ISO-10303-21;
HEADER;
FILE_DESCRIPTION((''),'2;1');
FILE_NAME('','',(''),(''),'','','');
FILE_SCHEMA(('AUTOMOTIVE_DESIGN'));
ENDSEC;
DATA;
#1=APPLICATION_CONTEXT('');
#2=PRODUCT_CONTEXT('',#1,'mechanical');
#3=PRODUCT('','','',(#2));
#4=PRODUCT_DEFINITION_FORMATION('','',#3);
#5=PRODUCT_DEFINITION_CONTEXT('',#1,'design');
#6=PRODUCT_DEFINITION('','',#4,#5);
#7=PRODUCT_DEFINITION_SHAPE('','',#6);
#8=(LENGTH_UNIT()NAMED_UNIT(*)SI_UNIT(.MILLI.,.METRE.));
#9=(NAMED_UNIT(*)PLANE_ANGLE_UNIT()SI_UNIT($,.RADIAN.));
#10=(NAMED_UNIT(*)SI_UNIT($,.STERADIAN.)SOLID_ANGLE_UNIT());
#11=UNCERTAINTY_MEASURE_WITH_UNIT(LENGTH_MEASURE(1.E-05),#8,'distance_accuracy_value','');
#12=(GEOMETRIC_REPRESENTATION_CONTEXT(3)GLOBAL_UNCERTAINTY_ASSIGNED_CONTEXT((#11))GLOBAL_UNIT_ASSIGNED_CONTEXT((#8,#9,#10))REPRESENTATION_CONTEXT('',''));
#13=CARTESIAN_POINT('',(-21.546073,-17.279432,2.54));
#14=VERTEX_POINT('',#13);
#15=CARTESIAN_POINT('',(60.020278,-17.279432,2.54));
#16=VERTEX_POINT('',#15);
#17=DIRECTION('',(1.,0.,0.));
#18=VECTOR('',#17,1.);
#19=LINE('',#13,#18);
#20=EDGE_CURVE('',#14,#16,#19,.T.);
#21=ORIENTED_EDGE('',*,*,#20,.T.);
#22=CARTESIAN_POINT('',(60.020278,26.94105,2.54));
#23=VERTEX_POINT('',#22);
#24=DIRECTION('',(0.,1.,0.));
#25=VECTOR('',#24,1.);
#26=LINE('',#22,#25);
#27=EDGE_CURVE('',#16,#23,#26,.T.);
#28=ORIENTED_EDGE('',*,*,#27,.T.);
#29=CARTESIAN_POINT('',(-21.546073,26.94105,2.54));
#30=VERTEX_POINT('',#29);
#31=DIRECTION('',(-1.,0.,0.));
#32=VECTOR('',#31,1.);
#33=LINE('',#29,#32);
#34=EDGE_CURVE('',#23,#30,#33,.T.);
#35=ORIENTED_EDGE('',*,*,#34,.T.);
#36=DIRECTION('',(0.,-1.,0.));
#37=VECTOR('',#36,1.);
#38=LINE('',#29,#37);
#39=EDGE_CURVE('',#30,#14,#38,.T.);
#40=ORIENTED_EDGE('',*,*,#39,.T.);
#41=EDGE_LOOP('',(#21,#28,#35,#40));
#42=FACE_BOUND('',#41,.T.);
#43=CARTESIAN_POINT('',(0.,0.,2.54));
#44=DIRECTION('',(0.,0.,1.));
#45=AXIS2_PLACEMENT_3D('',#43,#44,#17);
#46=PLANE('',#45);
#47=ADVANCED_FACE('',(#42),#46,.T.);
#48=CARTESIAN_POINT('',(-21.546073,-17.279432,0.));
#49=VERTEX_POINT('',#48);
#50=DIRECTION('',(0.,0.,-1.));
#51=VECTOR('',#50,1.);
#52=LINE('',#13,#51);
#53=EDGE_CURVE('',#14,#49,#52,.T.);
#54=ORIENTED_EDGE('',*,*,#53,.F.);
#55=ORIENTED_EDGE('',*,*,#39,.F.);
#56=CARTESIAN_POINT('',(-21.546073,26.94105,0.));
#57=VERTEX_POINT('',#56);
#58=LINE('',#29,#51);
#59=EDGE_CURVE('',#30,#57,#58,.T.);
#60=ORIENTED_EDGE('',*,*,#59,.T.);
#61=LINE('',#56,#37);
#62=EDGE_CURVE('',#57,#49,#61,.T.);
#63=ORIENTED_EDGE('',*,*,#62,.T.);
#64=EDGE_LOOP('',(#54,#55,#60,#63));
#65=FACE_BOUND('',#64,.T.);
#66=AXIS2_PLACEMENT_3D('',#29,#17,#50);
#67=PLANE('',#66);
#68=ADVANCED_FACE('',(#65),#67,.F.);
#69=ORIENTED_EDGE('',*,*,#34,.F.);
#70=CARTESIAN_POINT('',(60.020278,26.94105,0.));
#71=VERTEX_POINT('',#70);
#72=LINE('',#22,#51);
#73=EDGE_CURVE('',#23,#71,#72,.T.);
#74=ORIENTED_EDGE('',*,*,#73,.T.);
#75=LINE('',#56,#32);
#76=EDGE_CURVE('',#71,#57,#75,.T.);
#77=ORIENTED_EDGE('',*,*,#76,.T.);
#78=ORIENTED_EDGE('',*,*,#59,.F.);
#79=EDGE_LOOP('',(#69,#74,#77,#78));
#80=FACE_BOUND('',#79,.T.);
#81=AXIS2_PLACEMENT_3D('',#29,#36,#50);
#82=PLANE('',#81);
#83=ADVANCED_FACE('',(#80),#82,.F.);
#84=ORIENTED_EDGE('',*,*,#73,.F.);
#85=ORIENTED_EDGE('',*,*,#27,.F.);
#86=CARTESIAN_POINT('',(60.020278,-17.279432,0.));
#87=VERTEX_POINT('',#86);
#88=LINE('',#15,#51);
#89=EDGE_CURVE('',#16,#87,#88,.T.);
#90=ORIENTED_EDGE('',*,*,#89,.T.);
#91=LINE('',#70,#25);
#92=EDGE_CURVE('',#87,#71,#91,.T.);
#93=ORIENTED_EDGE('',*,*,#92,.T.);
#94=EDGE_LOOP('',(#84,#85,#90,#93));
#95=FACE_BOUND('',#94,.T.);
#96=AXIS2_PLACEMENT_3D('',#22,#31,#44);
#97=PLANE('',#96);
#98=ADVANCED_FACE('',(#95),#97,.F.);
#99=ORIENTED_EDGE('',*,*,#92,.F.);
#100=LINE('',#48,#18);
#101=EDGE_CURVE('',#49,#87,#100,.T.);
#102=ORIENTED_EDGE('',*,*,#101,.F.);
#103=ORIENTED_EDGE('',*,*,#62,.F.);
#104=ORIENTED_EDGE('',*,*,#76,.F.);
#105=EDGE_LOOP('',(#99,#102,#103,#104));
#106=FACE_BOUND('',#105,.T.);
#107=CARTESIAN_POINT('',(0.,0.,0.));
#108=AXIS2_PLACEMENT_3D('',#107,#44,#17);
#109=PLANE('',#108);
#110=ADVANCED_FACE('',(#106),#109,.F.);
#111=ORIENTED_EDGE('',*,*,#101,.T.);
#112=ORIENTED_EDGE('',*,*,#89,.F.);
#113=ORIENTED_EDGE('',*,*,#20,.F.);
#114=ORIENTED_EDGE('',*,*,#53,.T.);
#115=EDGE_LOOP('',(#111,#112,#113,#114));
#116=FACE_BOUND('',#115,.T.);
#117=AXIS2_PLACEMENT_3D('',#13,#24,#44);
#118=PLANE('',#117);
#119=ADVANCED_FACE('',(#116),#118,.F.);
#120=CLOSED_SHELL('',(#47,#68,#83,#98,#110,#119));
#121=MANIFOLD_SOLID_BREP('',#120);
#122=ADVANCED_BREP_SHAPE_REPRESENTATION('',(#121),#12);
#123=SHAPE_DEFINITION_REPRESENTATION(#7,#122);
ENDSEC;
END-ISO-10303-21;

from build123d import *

# Parameters (mm, degrees)
SKETCH_1_W      = 81.566351119
SKETCH_1_H      = 44.220481928
EXTRUDE_1_DEPTH = 2.54


with BuildPart() as part:
    # 草圖1 → 填料-伸長1 (new body)
    with BuildSketch(Plane.XY):
        with Locations((19.237102703, 4.83080895)):
            Rectangle(SKETCH_1_W, SKETCH_1_H)
    extrude(amount=EXTRUDE_1_DEPTH)


solid = part.part
